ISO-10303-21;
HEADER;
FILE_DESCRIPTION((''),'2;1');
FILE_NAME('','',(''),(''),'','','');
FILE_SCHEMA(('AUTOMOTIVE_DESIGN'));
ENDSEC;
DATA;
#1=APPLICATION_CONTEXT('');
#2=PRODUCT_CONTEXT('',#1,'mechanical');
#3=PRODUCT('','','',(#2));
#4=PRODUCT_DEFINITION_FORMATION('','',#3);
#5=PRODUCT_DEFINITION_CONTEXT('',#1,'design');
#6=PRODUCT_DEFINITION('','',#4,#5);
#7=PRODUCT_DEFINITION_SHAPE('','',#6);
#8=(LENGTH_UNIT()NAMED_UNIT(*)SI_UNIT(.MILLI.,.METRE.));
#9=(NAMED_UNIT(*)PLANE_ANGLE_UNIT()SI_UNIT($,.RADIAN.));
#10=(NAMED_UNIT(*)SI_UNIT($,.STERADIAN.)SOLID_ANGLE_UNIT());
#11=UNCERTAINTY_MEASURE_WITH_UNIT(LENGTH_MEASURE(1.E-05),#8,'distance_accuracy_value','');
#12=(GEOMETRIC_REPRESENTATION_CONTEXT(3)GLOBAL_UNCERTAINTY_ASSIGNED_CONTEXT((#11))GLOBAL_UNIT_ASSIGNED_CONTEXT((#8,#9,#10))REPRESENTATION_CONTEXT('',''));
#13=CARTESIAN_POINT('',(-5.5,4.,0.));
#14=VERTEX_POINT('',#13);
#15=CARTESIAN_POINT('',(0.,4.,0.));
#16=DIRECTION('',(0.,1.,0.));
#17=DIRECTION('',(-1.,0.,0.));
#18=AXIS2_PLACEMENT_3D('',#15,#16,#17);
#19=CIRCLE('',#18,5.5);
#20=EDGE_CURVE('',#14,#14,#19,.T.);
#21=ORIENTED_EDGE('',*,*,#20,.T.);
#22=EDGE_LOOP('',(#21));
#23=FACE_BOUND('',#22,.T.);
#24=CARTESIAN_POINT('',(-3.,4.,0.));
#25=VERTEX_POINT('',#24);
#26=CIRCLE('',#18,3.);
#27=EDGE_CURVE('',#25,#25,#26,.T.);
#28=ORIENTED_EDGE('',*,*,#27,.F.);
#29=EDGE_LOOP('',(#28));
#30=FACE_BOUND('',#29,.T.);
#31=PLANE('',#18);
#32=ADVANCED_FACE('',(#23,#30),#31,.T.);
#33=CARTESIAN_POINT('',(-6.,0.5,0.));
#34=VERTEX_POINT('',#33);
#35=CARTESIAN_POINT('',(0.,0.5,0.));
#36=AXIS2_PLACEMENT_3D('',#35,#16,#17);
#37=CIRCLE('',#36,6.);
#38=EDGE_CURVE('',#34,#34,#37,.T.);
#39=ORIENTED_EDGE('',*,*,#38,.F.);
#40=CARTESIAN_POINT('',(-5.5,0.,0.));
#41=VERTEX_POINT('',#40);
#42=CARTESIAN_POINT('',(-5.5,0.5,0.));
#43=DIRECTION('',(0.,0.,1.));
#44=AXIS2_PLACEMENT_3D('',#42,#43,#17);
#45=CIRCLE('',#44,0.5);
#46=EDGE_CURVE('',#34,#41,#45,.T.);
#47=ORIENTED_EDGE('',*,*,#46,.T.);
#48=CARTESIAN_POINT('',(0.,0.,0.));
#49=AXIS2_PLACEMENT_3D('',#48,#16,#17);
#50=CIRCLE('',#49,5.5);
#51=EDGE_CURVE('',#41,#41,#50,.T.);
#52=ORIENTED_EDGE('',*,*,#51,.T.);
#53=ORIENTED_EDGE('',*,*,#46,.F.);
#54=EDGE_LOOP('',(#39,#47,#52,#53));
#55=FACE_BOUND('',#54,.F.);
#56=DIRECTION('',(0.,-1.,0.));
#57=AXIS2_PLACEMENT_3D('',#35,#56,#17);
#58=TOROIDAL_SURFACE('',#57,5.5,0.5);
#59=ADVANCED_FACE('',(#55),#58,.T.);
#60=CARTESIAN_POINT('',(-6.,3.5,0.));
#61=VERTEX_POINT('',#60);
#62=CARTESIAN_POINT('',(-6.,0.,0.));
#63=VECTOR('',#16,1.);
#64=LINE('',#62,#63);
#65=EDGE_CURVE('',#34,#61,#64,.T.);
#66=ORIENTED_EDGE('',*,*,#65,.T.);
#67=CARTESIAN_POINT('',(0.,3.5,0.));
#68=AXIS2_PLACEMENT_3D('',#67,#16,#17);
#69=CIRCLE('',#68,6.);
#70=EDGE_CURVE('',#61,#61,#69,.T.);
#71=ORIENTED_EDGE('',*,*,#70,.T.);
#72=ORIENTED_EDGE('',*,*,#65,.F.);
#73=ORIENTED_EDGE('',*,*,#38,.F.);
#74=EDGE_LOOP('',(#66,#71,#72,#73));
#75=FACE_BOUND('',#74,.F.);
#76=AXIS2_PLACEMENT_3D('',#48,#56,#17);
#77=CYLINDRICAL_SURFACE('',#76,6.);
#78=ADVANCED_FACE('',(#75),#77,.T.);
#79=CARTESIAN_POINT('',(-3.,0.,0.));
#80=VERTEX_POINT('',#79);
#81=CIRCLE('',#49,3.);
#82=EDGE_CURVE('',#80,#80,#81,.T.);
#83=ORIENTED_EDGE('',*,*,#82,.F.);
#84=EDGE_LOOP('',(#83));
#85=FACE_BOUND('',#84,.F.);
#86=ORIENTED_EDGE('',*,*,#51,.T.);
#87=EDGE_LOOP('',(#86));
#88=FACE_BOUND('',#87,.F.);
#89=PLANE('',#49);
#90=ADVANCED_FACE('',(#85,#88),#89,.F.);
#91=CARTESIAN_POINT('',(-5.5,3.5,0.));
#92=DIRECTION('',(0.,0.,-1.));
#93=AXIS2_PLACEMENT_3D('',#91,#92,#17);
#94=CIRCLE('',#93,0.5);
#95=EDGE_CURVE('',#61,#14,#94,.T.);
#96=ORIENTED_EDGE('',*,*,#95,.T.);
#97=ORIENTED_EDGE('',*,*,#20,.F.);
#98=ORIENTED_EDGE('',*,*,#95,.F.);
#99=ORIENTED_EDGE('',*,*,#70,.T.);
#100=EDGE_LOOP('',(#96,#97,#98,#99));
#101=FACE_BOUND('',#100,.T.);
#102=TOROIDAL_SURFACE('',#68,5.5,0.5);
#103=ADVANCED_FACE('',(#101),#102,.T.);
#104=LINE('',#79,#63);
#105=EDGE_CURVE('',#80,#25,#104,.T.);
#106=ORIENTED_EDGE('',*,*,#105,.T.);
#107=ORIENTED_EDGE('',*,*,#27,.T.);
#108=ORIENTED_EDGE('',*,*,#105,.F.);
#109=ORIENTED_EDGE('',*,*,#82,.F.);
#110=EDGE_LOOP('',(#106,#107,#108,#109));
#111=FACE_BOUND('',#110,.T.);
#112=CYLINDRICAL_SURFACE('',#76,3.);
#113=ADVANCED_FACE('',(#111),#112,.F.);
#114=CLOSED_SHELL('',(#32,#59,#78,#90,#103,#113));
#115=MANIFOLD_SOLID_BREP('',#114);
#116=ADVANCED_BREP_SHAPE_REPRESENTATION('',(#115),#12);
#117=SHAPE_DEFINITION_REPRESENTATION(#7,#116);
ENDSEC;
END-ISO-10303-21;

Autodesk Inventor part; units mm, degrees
ref_plane "YZ Plane" through (0, 0, 0) normal (1, 0, 0) x (0, 1, 0)
ref_plane "XZ Plane" through (0, 0, 0) normal (0, 1, 0) x (-1, 0, 0)
ref_plane "XY Plane" through (0, 0, 0) normal (0, 0, 1) x (1, 0, 0)
sketch "Boceto1" plane through (0, 0, 0) normal (0, 1, 0) x (-1, 0, 0)
  circle A0 centre (0, 0) radius 3
  circle A1 centre (0, 0) radius 6
  dimension "d0" = 6
  dimension "d1" = 12
extrude "Extrusión1" add sketch "Boceto1" along normal blind 4
fillet "Empalme1" radius 0.5 2 edges at (6, 4, 0) (6, 0, 0)
properties part number "MF612"
